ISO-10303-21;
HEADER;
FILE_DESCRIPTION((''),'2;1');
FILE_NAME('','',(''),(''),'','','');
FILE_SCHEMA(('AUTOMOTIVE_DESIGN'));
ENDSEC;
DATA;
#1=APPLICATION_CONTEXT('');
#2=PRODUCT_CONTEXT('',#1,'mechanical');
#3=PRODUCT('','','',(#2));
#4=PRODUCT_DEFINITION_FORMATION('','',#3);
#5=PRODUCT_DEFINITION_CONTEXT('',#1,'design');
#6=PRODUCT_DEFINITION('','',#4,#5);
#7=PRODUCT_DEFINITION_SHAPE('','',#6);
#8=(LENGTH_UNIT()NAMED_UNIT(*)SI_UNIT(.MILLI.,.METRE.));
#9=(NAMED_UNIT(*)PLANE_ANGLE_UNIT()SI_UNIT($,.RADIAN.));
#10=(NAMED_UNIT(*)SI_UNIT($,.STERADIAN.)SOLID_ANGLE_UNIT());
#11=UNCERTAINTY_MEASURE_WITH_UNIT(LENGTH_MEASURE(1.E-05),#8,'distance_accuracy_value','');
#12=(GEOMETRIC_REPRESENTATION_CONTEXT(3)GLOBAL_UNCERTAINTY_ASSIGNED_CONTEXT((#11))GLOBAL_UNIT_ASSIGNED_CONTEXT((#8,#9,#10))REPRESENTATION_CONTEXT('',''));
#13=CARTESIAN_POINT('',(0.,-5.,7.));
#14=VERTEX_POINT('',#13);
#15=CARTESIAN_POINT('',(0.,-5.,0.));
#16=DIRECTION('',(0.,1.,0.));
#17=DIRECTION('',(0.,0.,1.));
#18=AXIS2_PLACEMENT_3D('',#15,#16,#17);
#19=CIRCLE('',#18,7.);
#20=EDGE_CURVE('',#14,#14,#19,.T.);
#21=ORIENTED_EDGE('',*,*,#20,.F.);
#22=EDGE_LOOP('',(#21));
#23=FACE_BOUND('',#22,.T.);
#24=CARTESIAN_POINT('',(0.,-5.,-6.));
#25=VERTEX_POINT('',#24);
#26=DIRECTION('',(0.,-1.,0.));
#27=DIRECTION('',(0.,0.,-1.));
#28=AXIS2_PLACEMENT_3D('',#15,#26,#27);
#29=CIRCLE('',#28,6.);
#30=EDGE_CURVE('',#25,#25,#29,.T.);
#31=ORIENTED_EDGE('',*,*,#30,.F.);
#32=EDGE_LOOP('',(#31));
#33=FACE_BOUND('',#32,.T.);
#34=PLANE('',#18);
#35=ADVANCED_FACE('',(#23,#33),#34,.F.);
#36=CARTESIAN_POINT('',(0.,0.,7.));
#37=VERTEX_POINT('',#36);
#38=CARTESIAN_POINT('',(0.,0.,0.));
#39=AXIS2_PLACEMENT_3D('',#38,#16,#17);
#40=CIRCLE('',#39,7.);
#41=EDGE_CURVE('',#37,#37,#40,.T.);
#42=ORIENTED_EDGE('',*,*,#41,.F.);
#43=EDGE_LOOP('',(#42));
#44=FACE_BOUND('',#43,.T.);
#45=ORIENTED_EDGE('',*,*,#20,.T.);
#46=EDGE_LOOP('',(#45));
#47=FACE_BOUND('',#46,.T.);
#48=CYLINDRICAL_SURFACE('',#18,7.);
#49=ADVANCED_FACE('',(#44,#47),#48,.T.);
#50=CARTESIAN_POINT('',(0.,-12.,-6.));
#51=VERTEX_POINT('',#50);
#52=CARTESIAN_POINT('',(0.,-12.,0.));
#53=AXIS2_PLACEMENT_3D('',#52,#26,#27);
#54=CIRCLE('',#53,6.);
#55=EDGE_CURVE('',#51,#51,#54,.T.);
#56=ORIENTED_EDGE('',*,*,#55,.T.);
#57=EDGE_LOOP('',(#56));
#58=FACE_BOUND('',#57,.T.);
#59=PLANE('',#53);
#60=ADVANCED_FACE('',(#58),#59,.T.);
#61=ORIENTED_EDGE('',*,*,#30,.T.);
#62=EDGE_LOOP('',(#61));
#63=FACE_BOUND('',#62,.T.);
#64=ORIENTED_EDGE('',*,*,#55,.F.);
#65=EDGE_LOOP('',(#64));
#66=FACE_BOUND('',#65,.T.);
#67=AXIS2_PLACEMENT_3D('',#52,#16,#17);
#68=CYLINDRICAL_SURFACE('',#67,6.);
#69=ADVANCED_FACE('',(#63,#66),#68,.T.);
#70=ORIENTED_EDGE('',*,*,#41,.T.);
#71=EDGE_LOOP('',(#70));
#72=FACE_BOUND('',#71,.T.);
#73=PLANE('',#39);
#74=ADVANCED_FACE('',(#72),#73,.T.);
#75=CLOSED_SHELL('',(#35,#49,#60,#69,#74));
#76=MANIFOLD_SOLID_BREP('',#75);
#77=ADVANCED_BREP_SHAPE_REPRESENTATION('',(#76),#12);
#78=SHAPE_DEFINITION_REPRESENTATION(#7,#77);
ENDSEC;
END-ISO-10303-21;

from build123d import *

# Parameters (mm, degrees)
SKETCH_1_R      = 7
EXTRUDE_2_DEPTH = 5
SKETCH_3_R      = 6
EXTRUDE_3_DEPTH = 7


with BuildPart() as part:
    # 草图1 → 凸台-拉伸2 (new body)
    with BuildSketch(Plane(origin=(0, 0, 0), x_dir=(1, 0, 0), z_dir=(0, 1, 0))):
        Circle(SKETCH_1_R)
    extrude(amount=-EXTRUDE_2_DEPTH)

    # 草图3 → 凸台-拉伸3 (add)
    with BuildSketch(Plane(origin=(0, -5, 0), x_dir=(-1, 0, 0), z_dir=(0, -1, 0))):
        Circle(SKETCH_3_R)
    extrude(amount=EXTRUDE_3_DEPTH)


solid = part.part
